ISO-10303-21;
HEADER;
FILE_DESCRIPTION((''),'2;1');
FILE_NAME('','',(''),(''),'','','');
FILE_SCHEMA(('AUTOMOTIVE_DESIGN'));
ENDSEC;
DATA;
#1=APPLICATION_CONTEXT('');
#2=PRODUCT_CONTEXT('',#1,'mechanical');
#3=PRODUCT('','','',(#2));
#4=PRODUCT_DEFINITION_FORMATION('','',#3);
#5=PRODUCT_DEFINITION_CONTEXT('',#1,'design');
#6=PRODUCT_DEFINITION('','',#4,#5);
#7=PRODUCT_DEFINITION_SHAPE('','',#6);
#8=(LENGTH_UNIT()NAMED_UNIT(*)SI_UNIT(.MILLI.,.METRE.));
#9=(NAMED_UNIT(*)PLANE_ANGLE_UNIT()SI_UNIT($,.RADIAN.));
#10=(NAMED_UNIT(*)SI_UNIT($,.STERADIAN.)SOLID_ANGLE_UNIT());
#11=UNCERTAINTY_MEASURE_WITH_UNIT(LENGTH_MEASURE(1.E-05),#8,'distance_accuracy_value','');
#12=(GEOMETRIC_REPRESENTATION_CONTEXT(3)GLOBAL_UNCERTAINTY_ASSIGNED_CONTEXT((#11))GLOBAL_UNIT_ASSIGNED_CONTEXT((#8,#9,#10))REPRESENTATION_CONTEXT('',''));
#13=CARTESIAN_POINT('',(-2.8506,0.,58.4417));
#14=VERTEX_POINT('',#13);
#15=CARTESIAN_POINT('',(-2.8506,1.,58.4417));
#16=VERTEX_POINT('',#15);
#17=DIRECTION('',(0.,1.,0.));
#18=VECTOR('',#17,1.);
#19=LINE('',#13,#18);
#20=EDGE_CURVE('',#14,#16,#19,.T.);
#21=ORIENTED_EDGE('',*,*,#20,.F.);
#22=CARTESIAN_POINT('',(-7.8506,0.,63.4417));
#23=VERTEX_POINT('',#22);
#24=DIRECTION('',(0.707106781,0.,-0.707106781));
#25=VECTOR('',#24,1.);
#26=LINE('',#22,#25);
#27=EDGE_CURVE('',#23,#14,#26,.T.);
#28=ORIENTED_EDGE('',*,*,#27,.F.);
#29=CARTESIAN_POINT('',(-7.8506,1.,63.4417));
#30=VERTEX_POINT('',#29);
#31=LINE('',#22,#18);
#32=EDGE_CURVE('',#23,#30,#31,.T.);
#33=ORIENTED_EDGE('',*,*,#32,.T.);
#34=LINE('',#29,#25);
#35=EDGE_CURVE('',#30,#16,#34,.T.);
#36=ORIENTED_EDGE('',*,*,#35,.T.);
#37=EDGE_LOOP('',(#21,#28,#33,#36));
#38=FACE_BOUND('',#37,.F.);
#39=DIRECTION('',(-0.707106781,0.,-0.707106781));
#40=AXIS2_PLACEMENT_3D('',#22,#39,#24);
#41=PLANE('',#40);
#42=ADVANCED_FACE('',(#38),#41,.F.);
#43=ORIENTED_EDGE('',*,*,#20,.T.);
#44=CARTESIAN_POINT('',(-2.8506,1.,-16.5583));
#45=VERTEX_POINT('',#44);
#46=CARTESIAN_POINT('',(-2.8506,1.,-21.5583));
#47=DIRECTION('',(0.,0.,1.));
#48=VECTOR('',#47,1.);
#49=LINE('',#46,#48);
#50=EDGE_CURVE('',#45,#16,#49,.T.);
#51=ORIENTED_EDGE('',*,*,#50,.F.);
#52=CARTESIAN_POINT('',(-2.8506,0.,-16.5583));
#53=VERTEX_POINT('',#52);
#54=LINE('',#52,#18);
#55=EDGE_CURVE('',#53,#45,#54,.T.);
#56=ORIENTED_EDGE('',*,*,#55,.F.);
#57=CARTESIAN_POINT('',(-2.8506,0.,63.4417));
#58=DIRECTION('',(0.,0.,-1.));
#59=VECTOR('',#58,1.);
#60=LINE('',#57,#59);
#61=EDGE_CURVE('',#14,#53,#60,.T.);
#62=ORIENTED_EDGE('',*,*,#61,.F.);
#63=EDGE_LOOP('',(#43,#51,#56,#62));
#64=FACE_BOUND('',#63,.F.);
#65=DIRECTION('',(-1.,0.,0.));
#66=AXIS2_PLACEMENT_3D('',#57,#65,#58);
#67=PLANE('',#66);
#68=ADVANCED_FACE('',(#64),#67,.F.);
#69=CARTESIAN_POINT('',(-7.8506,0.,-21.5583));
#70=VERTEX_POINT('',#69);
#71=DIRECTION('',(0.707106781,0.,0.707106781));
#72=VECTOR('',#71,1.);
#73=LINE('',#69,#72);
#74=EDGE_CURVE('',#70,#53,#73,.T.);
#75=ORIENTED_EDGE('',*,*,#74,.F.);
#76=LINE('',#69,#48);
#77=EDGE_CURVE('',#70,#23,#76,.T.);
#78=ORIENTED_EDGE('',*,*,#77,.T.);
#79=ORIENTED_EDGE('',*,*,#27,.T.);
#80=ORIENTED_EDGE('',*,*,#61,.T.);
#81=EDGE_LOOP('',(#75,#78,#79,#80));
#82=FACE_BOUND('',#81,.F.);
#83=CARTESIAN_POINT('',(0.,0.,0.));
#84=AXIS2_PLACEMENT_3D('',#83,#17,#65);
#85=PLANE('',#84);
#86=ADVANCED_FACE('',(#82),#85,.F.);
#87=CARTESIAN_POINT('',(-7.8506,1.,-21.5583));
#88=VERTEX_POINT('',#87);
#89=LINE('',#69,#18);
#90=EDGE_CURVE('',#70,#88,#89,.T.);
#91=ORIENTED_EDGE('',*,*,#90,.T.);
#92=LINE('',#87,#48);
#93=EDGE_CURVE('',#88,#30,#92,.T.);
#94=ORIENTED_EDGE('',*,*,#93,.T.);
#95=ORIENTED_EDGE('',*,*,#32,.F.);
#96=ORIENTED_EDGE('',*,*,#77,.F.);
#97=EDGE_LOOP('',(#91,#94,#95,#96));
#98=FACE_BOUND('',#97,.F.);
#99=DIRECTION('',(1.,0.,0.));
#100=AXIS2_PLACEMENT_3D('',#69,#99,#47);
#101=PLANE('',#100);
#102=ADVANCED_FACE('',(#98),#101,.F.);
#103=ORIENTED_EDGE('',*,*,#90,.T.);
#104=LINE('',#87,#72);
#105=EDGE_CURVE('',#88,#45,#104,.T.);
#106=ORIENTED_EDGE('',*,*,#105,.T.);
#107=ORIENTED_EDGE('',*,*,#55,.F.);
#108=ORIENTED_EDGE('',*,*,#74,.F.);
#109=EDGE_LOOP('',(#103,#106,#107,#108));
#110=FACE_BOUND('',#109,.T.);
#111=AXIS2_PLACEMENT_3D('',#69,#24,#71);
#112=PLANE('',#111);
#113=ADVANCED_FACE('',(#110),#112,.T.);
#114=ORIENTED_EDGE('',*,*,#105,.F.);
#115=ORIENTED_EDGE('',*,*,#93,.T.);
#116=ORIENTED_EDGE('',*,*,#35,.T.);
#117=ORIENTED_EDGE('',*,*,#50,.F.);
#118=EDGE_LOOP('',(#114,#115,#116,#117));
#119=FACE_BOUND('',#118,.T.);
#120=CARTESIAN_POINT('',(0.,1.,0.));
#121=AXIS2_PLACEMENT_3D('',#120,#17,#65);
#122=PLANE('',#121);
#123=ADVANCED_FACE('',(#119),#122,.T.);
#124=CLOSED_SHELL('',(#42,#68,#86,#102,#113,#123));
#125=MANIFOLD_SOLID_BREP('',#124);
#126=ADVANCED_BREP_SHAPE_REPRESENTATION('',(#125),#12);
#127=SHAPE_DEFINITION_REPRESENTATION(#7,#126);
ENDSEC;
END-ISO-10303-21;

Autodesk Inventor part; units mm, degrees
ref_plane "YZ Plane" through (0, 0, 0) normal (1, 0, 0) x (0, 1, 0)
ref_plane "XZ Plane" through (0, 0, 0) normal (0, 1, 0) x (-1, 0, 0)
ref_plane "XY Plane" through (0, 0, 0) normal (0, 0, 1) x (1, 0, 0)
sketch "Sketch1" plane through (0, 0, 0) normal (0, 1, 0) x (-1, 0, 0)
  line L0 (7.8506, 63.4417) -> (2.8506, 63.4417)
  line L1 (2.8506, 63.4417) -> (2.8506, -21.5583)
  line L2 (2.8506, -21.5583) -> (7.8506, -21.5583)
  line L3 (7.8506, -21.5583) -> (7.8506, 63.4417)
  line L4 (7.8506, 63.4417) -> (2.8506, 58.4417)
  line L5 (7.8506, -21.5583) -> (2.8506, -16.5583)
  point P0 (0, 0)
  dimension "d2" = 45
  dimension "d3" = 45
  dimension "d4" = 45
  dimension "d7" = 5
  dimension "d9" = 75
extrude "Extrusion1" add sketch "Sketch1" along normal blind 1
extrude "Extrusion2" cut sketch "Sketch1" along normal blind 1 contours L4 L1 L0 | L2 L1 L5
properties part number "Bridge_Width"
